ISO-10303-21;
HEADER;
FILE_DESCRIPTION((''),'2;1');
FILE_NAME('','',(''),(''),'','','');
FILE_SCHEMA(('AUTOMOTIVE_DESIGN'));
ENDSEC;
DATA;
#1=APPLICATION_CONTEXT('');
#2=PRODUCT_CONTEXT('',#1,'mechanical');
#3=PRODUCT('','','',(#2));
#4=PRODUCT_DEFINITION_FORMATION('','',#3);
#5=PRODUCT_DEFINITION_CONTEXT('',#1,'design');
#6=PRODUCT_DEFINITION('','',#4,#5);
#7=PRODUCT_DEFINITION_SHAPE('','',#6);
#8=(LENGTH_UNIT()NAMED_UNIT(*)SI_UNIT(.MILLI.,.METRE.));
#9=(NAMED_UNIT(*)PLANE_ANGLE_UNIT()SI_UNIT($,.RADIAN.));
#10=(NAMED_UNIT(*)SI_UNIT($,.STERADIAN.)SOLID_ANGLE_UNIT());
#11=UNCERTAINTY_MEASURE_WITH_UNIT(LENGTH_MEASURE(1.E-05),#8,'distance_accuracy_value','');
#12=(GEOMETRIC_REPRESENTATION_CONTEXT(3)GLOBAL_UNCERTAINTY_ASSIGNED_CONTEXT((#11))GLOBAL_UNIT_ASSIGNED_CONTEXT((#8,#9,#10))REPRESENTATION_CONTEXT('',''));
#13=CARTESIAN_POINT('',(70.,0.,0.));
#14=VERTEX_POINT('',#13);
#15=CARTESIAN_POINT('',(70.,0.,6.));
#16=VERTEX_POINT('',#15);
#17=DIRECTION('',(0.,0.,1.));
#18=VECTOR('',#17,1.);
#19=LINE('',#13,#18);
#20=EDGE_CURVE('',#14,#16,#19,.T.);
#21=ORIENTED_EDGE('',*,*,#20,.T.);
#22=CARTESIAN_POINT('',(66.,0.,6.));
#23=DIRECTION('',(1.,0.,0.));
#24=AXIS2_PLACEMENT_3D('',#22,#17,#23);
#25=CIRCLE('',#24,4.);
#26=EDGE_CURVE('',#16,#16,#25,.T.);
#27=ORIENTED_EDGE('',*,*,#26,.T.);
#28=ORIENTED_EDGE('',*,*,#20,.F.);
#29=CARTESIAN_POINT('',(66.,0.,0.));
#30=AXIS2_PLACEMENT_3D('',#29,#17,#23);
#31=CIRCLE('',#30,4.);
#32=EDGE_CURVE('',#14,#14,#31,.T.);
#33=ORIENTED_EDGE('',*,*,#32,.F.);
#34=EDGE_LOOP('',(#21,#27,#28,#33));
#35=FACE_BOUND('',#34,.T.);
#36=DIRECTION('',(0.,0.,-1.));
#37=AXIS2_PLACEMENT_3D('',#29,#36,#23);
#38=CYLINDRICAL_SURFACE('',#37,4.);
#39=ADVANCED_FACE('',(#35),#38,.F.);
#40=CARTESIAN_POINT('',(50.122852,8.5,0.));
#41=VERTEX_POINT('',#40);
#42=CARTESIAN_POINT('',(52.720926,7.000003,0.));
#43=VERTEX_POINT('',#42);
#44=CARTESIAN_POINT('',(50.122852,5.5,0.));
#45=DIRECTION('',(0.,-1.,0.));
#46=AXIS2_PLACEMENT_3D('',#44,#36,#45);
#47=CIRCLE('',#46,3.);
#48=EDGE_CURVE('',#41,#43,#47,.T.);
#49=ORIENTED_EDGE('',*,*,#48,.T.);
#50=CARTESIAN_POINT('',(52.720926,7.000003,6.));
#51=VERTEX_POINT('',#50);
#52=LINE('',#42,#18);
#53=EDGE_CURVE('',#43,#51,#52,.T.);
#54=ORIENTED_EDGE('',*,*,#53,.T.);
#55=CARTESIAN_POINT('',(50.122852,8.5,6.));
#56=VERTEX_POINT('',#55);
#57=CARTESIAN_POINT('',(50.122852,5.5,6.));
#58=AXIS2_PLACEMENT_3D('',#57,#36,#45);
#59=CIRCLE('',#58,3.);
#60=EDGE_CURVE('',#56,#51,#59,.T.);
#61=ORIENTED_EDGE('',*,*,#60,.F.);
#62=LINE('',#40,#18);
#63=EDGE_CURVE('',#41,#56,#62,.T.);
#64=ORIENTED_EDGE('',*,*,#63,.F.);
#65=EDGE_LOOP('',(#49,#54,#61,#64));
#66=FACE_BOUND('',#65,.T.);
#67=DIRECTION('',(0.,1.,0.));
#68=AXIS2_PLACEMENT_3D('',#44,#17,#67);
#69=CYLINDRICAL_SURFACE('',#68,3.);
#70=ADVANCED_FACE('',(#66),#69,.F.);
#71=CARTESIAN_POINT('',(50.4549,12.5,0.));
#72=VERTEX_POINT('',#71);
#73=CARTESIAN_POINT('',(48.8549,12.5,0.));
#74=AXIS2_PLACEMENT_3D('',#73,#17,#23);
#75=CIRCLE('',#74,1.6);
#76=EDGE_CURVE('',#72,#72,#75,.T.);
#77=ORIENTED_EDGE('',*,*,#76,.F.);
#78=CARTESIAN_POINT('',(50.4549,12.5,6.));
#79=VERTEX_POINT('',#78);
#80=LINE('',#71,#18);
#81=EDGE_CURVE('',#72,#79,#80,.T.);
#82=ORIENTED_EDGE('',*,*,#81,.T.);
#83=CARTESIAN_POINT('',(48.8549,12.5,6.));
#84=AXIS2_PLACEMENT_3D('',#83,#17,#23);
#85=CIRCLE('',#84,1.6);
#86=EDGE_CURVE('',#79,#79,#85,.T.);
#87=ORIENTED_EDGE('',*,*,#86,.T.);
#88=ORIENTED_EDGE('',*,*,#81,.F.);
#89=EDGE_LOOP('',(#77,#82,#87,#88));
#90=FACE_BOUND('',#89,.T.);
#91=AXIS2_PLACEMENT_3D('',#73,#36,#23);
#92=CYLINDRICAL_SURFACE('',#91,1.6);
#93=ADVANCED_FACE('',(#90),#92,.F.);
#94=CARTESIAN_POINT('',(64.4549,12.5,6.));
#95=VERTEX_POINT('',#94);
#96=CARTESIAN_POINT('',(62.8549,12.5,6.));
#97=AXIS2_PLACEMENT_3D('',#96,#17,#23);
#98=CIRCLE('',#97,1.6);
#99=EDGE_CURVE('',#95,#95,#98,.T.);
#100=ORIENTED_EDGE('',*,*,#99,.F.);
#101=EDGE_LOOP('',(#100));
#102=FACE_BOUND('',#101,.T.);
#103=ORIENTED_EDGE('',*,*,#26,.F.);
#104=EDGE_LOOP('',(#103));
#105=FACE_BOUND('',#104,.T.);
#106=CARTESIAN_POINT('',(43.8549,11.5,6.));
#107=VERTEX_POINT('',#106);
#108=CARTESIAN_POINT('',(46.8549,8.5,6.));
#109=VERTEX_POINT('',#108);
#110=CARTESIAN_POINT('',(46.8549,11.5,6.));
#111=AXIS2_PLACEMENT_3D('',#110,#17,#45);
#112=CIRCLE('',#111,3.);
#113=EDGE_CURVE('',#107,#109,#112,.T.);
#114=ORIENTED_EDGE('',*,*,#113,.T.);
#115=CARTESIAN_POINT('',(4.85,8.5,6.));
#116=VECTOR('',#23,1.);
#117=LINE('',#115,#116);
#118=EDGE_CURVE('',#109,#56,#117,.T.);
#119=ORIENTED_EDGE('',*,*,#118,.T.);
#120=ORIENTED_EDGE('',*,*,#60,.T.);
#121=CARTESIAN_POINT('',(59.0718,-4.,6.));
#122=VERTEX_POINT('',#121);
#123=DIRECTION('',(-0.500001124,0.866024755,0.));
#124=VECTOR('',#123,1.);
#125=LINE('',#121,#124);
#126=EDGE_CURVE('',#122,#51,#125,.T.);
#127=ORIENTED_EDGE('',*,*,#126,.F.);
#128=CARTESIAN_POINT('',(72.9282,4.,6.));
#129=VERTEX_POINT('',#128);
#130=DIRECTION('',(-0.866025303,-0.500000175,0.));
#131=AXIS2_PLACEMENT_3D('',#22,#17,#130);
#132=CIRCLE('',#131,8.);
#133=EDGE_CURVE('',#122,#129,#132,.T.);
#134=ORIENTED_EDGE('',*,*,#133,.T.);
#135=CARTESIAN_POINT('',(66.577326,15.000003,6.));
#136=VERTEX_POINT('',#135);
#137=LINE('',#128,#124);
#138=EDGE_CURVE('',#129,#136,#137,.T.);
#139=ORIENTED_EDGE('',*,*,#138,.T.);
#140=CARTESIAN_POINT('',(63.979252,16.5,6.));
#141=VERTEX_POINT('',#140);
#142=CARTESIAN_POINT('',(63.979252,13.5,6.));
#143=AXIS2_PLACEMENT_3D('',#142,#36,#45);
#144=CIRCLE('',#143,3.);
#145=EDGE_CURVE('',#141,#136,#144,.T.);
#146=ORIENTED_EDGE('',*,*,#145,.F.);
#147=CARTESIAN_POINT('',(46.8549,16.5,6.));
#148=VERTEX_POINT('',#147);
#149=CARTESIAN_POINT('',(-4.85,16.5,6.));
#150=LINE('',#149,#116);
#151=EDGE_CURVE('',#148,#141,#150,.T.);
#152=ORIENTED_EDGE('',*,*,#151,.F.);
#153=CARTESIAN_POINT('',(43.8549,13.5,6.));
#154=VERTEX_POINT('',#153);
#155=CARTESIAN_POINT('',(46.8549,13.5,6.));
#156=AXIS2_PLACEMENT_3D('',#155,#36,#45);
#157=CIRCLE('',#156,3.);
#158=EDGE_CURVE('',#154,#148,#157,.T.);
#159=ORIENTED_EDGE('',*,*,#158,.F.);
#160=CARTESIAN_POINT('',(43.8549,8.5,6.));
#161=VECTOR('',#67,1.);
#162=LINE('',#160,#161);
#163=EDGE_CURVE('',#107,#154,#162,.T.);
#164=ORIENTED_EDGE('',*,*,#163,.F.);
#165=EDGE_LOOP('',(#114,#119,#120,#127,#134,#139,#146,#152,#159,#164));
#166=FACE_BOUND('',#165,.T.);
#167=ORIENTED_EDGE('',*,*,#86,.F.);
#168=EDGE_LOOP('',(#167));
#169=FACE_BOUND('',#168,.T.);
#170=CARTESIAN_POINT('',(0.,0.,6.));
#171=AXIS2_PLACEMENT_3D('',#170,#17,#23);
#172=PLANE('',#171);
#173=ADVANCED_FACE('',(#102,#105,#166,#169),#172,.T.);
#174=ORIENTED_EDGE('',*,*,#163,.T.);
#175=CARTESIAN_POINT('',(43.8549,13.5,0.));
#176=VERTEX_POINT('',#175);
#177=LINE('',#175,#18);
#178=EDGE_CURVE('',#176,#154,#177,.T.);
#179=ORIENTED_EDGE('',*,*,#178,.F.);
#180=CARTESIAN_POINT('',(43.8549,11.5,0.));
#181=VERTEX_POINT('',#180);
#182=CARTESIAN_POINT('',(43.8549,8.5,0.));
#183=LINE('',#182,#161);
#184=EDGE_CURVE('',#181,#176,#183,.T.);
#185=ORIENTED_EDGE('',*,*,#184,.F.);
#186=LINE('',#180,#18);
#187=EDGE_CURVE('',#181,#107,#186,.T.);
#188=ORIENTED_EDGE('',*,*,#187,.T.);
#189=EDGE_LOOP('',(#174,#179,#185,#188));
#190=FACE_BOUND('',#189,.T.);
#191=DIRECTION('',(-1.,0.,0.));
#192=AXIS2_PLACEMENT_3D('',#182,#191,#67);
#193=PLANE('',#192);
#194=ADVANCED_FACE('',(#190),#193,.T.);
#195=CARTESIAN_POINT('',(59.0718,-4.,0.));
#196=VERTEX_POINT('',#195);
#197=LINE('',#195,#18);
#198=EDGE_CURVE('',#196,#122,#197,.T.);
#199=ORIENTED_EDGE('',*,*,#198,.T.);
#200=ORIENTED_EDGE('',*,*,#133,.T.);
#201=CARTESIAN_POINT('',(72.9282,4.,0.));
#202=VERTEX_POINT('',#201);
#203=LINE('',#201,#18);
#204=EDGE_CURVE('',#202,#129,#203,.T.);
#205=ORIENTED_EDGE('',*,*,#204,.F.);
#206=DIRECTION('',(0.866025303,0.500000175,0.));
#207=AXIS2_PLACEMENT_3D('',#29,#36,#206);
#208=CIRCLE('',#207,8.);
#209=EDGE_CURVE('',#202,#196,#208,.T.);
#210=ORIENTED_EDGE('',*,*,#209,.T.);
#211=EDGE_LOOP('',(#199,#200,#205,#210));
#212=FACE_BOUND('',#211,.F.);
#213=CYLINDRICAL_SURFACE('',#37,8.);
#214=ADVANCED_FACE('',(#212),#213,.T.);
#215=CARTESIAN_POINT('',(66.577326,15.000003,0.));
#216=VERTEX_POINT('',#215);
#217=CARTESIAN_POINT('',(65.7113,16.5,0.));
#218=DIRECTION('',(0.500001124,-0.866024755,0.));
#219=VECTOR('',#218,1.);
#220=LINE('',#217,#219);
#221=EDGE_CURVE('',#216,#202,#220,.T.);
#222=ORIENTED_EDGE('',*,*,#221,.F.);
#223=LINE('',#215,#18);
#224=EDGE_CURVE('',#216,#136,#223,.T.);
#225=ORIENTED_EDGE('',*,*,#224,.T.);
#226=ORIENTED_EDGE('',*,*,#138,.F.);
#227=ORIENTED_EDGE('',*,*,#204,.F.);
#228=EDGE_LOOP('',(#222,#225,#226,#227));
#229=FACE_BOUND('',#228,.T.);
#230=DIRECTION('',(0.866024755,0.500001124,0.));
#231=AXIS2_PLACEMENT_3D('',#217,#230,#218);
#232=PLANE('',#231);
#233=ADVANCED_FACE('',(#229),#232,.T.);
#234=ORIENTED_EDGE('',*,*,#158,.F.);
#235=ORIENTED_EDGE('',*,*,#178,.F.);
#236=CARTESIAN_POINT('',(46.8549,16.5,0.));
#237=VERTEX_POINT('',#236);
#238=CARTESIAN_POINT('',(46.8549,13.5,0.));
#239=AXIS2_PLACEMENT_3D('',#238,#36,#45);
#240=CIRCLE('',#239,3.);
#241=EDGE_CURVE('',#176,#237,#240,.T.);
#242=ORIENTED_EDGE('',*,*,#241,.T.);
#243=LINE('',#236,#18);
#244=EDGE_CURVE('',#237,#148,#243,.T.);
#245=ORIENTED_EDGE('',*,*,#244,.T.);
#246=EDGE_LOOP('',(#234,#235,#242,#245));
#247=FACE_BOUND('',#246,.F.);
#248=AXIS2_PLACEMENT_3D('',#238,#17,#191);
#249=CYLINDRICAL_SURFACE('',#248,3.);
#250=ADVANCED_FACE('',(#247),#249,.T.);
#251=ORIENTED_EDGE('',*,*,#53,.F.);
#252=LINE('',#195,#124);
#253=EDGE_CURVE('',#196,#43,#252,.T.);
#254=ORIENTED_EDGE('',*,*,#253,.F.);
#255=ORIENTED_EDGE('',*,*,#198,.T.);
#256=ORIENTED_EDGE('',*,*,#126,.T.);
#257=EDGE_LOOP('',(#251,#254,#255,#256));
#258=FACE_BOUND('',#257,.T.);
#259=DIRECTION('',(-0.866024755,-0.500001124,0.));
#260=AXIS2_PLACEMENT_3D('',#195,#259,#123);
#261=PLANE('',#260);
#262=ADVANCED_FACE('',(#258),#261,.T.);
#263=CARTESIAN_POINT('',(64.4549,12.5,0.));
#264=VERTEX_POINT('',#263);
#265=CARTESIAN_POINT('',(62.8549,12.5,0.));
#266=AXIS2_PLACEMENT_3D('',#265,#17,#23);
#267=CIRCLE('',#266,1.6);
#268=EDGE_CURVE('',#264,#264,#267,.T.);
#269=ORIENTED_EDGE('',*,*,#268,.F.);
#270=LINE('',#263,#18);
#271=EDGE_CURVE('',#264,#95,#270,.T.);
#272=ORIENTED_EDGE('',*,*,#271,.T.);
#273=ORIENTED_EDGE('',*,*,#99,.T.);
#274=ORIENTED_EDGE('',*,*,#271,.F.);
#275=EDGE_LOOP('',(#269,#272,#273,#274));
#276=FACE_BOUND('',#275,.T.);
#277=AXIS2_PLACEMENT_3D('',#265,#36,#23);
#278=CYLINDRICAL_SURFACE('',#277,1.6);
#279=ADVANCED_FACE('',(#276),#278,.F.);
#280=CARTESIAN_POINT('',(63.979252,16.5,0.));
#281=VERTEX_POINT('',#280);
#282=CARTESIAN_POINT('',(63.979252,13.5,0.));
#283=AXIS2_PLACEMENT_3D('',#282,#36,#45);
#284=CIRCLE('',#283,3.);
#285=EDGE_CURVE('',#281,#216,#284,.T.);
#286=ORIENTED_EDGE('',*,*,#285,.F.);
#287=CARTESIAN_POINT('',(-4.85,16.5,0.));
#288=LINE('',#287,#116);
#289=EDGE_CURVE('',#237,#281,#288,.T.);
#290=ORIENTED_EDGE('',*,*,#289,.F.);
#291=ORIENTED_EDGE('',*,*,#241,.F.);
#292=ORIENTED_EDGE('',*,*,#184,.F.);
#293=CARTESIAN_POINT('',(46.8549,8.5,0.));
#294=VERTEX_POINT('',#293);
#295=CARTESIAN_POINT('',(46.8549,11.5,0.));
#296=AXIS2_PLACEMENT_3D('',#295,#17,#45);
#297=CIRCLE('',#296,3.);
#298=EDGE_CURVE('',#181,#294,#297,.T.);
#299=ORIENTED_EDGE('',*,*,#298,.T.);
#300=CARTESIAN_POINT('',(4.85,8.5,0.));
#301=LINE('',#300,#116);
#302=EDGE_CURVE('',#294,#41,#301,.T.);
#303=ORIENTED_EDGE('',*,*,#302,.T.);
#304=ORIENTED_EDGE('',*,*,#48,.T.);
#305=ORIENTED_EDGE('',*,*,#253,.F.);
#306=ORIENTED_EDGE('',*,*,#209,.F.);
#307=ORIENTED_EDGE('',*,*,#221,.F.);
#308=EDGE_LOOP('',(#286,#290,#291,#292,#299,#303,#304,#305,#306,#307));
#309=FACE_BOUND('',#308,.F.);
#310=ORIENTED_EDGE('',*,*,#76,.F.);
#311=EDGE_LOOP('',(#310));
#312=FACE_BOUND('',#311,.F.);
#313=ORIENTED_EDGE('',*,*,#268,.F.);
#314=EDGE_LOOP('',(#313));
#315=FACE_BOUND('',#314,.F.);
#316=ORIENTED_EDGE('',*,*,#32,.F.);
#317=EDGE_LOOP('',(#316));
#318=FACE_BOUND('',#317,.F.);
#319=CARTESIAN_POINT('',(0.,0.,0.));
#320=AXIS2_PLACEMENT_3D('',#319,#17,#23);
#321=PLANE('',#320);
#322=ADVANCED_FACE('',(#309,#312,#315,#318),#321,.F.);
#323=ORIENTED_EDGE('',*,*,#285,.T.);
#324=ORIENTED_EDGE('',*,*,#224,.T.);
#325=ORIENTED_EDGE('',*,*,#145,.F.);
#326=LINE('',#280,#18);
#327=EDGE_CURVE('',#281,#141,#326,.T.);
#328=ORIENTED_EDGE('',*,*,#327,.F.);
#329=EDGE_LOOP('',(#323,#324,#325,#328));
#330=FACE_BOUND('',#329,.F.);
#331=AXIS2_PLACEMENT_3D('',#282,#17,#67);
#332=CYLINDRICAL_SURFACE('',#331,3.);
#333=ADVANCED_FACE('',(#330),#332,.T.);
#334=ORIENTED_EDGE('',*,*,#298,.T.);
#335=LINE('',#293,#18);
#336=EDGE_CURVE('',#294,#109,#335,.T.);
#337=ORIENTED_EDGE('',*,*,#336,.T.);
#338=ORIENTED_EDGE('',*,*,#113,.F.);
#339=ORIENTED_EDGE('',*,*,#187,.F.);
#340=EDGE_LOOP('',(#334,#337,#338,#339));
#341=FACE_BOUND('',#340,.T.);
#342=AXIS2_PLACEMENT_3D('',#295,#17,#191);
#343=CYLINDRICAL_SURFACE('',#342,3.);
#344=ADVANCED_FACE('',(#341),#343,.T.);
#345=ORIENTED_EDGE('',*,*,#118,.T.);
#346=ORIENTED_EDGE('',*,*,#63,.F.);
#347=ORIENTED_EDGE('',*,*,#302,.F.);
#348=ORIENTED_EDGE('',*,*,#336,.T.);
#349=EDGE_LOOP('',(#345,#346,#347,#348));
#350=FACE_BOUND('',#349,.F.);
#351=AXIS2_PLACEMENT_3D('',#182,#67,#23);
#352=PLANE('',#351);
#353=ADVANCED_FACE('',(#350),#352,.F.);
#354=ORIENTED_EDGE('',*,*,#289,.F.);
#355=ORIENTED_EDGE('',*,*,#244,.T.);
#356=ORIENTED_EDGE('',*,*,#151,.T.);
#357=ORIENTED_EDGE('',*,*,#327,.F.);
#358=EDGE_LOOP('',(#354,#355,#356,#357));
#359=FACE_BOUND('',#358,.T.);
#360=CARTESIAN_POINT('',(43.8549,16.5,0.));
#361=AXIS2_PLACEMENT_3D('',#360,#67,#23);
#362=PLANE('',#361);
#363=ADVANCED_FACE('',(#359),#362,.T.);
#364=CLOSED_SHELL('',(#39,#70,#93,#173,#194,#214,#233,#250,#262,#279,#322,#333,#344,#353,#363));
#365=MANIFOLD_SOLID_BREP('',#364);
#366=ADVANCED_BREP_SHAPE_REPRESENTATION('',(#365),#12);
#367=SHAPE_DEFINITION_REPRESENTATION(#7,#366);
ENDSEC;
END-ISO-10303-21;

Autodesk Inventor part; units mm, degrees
ref_plane "YZ Plane" through (0, 0, 0) normal (1, 0, 0) x (0, 1, 0)
ref_plane "XZ Plane" through (0, 0, 0) normal (0, 1, 0) x (-1, 0, 0)
ref_plane "XY Plane" through (0, 0, 0) normal (0, 0, 1) x (1, 0, 0)
sketch "Эскиз1" plane through (0, 0, 0) normal (0, 0, 1) x (1, 0, 0)
  circle A0 centre (0, 0) radius 5.1
  circle A1 centre (66, 0) radius 4
  line L0 (-20.92, 0) -> (89.82, 0) construction
  line L1 (-5.1, 0) -> (-5.1, 14) construction
  line L2 (5.1, 0) -> (5.1, 14) construction
  line L3 (-4.85, 1.5772) -> (-4.85, 16.5)
  line L4 (-4.85, 16.5) -> (65.7113, 16.5)
  line L5 (65.7113, 16.5) -> (72.9282, 4)
  line L6 (59.0718, -4) -> (51.8549, 8.5)
  line L7 (4.85, 16.5) -> (4.85, 1.5772)
  line L8 (4.85, 8.5) -> (70.3301, 8.5)
  circle A2 centre (66, 0) radius 8
  line L9 (51.8549, 8.5) -> (51.8549, 16.5) construction
  line L10 (68.0207, 12.5) -> (-4.85, 12.5) construction
  circle A3 centre (62.8549, 12.5) radius 1.6
  circle A4 centre (15.15, 12.5) radius 1.6
  circle A5 centre (48.8549, 12.5) radius 1.6
  line L11 (43.8549, 8.5) -> (43.8549, 16.5)
  point P0 (43.8549, 12.5)
  dimension "d0" = 10.2
  dimension "d1" = 8
  dimension "d2" = 66
  dimension "d3" = 0.25
  dimension "d4" = 0.25
  dimension "d5" = 8.5
  dimension "d6" = 16
  dimension "d7" = 60
  dimension "d8" = 8
  dimension "d9" = 3.2
  dimension "d10" = 3.2
  dimension "d12" = 20
  dimension "d18" = 3.2
  dimension "d20" = 14
  dimension "d21" = 8
  dimension "d22" = 5
extrude "Выдавливание1" add sketch "Эскиз1" along normal blind 6 contours L11 L4 L5 L8 | L8 L5 A2 L6 | A2
fillet "Сопряжение1" radius 3 4 edges at (51.8549, 8.5, 3) (65.7113, 16.5, 3) (43.8549, 16.5, 3) (43.8549, 8.5, 3)
equation "\"d4\" = d3"
equation "\"d10\" = d18"
equation "\"d18\" = d9"
properties part number "Рычаг фиксатора 2"
